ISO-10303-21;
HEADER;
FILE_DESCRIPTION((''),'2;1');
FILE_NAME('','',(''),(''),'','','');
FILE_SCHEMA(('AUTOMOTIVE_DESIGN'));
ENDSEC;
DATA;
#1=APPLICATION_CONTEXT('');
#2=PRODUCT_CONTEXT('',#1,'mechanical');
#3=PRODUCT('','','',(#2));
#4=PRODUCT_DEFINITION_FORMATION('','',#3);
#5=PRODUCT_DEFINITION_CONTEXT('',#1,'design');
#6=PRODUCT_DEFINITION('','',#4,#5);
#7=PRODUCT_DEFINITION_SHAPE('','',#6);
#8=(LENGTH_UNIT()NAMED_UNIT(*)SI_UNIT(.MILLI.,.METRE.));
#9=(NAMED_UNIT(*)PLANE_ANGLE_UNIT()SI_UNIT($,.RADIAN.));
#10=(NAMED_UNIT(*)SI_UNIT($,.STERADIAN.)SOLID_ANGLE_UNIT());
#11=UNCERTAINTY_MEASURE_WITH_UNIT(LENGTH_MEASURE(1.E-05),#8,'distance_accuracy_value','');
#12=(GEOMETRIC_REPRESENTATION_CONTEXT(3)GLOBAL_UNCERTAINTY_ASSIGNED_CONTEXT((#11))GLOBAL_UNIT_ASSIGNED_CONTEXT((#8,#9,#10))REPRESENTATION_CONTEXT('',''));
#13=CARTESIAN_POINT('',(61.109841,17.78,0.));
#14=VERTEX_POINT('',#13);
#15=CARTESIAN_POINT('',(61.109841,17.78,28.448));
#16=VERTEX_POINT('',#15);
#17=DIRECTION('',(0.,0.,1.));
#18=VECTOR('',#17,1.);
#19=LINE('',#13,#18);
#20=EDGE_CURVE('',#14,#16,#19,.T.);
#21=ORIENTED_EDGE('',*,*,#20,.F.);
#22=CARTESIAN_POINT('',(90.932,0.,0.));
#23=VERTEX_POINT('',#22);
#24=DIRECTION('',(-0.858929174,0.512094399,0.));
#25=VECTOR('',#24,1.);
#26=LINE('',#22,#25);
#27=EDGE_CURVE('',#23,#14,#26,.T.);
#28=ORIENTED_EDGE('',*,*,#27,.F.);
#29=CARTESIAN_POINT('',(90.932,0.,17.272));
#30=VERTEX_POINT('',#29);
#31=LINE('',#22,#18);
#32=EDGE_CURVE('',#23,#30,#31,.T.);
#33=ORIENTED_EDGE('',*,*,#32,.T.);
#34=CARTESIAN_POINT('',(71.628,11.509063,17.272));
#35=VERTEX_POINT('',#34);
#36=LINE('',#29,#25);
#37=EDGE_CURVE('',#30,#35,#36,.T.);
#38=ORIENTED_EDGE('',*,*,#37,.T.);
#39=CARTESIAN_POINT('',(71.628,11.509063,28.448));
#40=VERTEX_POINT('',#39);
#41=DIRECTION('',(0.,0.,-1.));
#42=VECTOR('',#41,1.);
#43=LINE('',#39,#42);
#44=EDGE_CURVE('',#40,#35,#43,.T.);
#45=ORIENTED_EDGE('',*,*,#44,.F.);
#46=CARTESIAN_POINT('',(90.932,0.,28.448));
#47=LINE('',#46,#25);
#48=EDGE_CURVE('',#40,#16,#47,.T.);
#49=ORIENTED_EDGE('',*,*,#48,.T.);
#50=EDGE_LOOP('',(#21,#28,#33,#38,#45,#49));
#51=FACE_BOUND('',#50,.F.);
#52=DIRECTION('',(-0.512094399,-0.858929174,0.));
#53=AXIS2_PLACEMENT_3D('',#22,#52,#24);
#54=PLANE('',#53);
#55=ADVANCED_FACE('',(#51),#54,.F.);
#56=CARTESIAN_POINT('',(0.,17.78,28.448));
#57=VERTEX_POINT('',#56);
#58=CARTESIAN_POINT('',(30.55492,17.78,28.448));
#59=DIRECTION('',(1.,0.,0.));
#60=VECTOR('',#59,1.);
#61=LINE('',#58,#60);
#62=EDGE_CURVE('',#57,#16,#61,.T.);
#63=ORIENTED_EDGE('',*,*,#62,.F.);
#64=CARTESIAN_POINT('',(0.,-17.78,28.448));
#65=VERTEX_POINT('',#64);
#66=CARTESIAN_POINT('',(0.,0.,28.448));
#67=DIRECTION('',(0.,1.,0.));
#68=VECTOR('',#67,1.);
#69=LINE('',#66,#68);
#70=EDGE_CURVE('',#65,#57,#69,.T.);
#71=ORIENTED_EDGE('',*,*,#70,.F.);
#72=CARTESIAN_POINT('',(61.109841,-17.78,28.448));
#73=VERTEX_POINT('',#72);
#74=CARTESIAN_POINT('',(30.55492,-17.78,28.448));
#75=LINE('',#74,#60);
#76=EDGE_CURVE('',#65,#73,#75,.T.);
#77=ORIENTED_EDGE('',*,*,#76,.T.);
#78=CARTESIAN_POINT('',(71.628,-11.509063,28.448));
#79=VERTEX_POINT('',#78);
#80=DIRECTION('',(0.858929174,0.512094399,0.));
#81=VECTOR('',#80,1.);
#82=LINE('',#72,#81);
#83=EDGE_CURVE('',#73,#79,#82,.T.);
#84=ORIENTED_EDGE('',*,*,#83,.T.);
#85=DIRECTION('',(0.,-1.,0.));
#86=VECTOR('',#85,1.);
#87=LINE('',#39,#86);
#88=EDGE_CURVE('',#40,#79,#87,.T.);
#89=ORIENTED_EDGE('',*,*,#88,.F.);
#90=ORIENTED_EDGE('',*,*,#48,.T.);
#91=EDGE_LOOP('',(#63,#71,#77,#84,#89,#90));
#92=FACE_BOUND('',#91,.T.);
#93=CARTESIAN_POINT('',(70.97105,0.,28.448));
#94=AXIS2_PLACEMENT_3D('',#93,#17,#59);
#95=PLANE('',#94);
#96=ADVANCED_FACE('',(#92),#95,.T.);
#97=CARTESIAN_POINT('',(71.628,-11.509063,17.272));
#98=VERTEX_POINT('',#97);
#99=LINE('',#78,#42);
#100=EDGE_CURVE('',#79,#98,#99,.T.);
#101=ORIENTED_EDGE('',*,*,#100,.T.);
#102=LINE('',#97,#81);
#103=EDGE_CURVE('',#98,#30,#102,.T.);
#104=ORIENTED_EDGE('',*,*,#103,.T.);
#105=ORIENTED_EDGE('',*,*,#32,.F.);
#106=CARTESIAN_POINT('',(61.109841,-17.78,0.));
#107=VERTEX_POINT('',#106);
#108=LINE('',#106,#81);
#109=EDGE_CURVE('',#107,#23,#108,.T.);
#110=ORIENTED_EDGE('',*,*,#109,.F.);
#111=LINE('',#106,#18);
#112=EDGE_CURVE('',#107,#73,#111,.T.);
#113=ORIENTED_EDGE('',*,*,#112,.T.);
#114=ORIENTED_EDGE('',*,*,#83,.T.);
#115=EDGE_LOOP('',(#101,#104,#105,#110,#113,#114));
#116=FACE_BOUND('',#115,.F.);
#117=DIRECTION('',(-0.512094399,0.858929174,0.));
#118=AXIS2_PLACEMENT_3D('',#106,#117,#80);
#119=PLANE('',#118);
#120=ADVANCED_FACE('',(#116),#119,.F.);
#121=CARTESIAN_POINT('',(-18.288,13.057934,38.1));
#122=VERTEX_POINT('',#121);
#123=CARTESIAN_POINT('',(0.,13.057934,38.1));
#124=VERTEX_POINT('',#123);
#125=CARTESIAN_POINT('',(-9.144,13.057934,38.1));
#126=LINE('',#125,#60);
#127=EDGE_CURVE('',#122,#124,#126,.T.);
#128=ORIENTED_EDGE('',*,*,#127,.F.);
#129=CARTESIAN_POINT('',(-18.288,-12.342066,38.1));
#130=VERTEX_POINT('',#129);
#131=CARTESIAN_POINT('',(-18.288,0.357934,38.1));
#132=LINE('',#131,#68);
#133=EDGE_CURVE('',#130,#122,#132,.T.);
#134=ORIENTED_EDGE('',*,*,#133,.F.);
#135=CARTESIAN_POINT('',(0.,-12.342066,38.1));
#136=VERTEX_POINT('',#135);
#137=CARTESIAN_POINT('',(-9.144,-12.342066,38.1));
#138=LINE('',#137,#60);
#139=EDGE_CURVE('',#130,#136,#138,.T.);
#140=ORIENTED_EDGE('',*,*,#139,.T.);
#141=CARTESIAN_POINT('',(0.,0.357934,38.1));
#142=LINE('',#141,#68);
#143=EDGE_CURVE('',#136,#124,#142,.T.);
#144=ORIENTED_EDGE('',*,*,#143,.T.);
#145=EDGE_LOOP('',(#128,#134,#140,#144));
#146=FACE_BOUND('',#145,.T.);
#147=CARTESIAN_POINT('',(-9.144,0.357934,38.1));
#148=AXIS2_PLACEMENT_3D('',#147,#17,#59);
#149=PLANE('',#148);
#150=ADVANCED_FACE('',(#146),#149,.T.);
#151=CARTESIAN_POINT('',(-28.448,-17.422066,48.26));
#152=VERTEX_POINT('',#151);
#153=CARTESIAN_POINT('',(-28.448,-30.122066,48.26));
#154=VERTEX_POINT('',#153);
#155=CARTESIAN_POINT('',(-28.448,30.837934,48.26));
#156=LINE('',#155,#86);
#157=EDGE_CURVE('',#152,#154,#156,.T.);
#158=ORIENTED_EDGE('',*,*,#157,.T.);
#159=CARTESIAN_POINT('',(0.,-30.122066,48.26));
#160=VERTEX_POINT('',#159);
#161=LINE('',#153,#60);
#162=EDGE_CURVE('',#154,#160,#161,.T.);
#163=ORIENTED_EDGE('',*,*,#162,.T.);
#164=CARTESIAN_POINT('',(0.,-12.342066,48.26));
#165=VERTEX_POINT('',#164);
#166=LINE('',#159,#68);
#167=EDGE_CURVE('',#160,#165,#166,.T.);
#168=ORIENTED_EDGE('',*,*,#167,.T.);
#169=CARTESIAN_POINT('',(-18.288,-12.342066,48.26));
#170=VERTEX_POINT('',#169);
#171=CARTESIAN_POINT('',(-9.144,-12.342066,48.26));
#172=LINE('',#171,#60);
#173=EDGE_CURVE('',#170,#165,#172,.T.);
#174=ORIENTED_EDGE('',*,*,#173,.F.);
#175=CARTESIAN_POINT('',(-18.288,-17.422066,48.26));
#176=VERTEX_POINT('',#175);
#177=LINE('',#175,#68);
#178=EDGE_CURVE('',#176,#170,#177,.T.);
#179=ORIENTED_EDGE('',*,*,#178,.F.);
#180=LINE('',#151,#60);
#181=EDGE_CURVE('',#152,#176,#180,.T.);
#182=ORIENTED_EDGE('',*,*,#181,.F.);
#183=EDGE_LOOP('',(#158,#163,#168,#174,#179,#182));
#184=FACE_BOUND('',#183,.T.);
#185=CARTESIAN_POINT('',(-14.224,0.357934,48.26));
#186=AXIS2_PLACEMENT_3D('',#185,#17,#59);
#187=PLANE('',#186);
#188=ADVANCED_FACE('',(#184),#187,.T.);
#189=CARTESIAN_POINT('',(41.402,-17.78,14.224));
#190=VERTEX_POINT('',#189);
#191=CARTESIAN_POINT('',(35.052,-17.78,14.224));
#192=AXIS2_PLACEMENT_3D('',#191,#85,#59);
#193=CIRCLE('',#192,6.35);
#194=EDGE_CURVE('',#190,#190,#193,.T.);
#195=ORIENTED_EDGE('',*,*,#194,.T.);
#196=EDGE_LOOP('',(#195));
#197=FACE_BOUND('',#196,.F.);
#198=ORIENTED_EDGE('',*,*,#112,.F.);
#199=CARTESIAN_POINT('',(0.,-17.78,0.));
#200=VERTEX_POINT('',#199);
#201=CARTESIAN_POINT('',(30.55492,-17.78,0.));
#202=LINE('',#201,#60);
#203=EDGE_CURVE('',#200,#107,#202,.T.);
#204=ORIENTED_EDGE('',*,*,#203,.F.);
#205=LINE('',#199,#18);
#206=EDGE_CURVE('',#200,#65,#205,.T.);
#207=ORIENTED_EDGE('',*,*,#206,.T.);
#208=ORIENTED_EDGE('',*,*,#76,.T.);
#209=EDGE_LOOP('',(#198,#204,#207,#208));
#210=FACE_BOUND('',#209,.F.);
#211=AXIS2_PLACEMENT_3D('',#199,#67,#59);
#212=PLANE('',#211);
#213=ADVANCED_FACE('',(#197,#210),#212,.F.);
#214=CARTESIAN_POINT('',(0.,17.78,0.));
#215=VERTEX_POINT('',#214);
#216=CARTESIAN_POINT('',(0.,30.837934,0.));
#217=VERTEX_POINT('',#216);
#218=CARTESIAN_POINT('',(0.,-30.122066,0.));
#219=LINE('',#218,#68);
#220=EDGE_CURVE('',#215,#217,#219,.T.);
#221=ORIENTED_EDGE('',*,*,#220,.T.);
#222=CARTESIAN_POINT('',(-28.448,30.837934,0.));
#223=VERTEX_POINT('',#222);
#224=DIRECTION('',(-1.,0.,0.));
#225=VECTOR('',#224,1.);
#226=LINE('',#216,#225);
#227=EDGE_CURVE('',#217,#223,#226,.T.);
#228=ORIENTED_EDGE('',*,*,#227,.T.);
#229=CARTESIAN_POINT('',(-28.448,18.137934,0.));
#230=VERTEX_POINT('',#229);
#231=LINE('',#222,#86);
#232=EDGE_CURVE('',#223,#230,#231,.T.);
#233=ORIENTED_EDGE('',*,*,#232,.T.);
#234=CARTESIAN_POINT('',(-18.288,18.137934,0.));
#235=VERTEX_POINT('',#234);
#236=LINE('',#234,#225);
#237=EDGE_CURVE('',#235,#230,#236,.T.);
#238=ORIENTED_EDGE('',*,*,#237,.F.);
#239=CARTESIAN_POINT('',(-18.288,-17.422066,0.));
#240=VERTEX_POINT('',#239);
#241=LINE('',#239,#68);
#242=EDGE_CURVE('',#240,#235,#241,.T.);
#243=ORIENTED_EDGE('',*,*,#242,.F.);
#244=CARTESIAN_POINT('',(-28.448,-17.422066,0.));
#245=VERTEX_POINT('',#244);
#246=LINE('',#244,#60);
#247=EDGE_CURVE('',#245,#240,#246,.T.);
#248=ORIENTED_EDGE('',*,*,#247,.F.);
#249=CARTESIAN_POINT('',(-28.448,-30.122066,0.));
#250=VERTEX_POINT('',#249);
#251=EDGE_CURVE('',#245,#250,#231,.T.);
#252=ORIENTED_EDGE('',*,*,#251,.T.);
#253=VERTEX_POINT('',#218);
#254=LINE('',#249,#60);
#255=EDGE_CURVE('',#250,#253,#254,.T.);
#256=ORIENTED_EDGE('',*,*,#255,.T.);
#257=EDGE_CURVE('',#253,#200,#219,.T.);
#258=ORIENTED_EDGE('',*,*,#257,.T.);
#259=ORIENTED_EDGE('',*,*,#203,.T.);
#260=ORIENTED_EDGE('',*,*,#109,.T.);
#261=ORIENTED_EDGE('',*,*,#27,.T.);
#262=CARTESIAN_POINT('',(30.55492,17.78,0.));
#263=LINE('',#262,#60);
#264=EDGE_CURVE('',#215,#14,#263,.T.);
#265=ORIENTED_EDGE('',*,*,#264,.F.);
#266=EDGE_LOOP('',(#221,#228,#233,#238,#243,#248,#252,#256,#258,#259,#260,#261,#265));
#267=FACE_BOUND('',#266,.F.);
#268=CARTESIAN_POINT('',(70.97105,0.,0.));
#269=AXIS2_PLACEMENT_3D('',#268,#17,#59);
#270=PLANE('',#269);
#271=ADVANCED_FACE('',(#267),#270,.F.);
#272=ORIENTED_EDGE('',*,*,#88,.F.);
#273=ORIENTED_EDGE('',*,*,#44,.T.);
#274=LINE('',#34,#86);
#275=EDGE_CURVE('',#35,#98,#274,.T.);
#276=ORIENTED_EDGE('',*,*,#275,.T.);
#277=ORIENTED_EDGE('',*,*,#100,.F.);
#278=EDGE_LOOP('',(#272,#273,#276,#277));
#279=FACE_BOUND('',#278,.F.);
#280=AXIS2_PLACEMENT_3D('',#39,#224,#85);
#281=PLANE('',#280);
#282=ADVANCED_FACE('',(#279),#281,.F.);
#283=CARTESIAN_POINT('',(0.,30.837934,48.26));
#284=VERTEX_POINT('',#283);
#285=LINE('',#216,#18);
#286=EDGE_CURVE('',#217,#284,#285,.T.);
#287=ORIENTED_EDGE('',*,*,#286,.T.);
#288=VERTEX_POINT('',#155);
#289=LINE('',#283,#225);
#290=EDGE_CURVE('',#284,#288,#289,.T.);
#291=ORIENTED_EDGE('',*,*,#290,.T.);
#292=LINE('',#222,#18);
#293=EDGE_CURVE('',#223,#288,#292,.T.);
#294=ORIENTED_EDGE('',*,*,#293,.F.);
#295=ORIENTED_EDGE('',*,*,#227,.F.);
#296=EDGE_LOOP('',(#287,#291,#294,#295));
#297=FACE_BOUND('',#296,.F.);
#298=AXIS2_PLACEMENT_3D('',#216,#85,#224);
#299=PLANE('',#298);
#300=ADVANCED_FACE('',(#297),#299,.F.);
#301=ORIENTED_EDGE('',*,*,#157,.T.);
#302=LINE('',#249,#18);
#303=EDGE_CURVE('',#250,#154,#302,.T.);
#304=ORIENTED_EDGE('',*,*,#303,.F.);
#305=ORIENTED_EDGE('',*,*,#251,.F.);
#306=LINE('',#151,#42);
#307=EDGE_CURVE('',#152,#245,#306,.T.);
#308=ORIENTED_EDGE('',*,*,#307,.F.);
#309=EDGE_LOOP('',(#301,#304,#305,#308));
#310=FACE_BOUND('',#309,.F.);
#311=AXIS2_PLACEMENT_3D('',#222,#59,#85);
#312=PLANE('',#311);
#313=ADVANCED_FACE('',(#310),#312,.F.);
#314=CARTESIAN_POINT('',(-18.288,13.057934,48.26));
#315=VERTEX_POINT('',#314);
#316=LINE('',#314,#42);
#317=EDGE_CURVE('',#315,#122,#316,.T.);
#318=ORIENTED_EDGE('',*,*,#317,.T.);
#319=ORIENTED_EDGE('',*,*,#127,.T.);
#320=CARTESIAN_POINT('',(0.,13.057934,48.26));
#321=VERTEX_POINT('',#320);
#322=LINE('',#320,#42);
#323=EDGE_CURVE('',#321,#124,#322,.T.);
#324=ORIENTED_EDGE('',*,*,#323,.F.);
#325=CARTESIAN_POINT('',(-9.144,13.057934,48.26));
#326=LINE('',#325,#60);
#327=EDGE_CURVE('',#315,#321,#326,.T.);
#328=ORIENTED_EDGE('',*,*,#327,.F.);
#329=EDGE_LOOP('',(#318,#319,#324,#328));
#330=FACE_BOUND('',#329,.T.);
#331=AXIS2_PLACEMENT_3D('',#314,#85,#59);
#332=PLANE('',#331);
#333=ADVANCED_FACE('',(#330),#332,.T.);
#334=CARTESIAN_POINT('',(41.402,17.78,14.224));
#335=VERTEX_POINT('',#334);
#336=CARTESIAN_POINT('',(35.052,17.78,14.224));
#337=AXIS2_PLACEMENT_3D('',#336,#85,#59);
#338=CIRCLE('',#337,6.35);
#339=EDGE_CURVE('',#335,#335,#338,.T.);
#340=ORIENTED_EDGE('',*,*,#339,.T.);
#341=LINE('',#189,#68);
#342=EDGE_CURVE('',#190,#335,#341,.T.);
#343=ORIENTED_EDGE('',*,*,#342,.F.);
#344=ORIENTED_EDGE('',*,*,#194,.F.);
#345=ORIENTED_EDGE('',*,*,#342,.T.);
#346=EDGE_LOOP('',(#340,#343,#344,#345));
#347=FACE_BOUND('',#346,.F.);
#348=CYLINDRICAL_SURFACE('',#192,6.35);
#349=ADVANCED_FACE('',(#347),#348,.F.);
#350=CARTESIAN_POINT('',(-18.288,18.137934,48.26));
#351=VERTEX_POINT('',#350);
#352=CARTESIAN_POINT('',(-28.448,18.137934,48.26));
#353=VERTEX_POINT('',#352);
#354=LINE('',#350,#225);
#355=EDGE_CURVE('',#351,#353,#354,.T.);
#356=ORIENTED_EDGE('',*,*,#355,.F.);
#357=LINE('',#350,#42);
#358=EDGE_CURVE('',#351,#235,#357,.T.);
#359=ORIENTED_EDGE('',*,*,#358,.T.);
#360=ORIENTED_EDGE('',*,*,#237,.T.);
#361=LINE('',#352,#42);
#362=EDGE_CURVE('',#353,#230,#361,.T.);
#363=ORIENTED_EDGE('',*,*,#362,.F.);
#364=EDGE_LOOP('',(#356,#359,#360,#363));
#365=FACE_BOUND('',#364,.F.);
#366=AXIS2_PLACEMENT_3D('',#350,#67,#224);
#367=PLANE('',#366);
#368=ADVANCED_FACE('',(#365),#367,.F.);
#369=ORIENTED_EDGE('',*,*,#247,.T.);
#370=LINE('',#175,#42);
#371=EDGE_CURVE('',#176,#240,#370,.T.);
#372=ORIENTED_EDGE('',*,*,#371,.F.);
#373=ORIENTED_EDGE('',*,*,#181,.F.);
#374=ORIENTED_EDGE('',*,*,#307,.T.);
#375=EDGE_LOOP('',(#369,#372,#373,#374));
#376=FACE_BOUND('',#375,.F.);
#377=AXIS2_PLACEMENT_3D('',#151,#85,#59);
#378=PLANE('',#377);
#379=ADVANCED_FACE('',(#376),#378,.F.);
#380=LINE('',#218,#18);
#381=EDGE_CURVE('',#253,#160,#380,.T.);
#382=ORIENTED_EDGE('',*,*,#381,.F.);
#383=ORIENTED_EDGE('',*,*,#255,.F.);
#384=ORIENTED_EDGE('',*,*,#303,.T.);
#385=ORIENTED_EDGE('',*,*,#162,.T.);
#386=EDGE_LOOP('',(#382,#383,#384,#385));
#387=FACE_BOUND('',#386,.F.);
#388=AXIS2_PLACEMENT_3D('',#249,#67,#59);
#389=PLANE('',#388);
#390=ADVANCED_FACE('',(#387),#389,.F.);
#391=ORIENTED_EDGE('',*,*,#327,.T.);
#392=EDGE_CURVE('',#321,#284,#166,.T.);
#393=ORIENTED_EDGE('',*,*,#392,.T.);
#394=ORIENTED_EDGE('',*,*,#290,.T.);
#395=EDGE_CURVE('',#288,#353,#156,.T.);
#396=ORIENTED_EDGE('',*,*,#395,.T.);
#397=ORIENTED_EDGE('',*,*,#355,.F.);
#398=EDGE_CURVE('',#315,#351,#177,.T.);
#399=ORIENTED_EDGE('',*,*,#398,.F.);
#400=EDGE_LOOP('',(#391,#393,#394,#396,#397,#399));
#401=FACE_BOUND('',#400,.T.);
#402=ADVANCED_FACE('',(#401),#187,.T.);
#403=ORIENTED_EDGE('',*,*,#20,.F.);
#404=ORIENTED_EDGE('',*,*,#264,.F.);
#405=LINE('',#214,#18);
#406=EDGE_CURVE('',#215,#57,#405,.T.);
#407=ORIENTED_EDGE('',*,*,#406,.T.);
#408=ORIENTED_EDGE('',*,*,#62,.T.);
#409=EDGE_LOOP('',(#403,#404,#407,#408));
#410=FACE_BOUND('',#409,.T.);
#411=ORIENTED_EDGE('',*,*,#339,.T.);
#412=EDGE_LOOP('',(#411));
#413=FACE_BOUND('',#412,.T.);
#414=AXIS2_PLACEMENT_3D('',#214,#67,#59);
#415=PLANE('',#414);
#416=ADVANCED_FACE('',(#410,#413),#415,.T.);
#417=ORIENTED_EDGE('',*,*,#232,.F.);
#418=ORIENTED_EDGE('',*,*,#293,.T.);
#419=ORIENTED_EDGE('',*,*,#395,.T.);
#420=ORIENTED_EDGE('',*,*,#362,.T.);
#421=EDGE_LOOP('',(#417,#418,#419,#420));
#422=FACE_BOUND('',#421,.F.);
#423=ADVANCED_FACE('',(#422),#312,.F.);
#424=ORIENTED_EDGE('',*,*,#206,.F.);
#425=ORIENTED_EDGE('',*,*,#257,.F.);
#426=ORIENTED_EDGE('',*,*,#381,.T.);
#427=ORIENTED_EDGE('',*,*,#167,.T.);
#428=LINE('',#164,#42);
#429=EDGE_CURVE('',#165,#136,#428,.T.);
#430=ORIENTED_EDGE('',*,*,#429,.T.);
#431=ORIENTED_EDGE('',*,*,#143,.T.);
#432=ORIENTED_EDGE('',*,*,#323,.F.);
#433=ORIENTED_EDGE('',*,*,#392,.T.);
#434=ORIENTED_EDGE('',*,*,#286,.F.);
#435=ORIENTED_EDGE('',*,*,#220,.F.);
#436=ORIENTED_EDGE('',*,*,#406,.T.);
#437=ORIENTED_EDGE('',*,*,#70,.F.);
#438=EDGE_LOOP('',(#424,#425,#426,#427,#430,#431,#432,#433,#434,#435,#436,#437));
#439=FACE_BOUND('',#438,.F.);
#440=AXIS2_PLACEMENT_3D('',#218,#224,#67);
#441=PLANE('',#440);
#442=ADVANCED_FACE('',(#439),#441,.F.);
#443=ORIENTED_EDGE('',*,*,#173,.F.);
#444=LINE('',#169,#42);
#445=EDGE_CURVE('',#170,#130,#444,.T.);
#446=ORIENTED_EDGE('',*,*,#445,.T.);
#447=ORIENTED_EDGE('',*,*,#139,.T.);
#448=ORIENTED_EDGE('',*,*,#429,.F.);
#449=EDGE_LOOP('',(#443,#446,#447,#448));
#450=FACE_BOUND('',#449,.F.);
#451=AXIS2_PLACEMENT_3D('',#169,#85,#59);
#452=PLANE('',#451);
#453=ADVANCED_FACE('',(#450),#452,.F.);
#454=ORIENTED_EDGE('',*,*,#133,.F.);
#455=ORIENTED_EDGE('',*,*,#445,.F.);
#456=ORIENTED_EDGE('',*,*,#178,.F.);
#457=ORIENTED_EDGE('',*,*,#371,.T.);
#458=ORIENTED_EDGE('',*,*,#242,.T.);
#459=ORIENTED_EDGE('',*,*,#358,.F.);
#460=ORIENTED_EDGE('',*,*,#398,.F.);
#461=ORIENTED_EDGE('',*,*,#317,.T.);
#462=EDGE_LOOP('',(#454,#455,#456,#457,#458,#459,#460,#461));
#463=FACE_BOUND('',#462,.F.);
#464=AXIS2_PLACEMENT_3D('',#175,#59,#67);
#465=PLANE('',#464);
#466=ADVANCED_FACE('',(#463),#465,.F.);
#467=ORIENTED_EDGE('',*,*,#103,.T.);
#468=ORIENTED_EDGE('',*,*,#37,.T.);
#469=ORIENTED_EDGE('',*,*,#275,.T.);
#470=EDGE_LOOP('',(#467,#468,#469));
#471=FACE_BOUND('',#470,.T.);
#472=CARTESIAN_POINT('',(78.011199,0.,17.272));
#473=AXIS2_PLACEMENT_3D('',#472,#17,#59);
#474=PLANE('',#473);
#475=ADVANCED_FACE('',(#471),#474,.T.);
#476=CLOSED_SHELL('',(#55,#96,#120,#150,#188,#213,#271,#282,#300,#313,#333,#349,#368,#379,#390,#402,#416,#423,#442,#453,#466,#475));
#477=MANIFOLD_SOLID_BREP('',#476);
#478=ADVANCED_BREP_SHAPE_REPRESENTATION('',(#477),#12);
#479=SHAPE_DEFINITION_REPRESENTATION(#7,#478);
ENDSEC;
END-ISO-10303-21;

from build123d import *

# Parameters (mm, degrees)
F1_DEPTH  = 48.26
F0_W      = 61.1098407692
F0_H      = 35.56
F2_DEPTH  = 28.448
F3_DEPTH  = 28.448
F5_DEPTH  = 48.26
F4_W      = 18.288
F4_H      = 25.4
F6_DEPTH  = 10.16
F8_DEPTH  = 11.176
F9_R      = 6.35
F10_DEPTH = 35.56


with BuildPart() as f1:
    # F0 (on Top) → F1 (new body)
    with BuildSketch(Plane.XY):
        Polygon((-28.448, 30.8379339441), (-28.448, -30.1220660559), (0, -30.1220660559), (0, -17.78), (0, 17.78), (0, 30.8379339441), align=None)
    extrude(amount=F1_DEPTH)

    # F0 (on Top) → F2 (join)
    with BuildSketch(Plane.XY):
        with Locations((30.5549203846, 0)):
            Rectangle(F0_W, F0_H)
    extrude(amount=F2_DEPTH)

    # F0 (on Top) → F3 (join)
    with BuildSketch(Plane.XY):
        Polygon((61.1098407692, 17.78), (61.1098407692, -17.78), (90.932, 0), align=None)
    extrude(amount=F3_DEPTH)

    # F4 (on face) → F5 (cut)
    with BuildSketch(Plane.XY.offset(48.26)):
        Polygon((-28.448, 18.1379339441), (-28.448, -17.4220660559), (-18.288, -17.4220660559), (-18.288, -12.3420660559), (-18.288, 13.0579339441), (-18.288, 18.1379339441), align=None)
    extrude(amount=-F5_DEPTH, mode=Mode.SUBTRACT)

    # F4 (on face) → F6 (cut)
    with BuildSketch(Plane.XY.offset(48.26)):
        with Locations((-9.144, 0.3579339441)):
            Rectangle(F4_W, F4_H)
    extrude(amount=-F6_DEPTH, mode=Mode.SUBTRACT)

    # F7 (on face) → F8 (cut)
    with BuildSketch(Plane.XY.offset(28.448)):
        Polygon((90.932, 0), (71.628, 11.509063356), (71.628, -11.509063356), align=None)
    extrude(amount=-F8_DEPTH, mode=Mode.SUBTRACT)

    # F9 (on face) → F10 (cut)
    with BuildSketch(Plane.XZ.offset(17.78)):
        with Locations((35.052, 14.224)):
            Circle(F9_R)
    extrude(amount=-F10_DEPTH, mode=Mode.SUBTRACT)


solid = f1.part
